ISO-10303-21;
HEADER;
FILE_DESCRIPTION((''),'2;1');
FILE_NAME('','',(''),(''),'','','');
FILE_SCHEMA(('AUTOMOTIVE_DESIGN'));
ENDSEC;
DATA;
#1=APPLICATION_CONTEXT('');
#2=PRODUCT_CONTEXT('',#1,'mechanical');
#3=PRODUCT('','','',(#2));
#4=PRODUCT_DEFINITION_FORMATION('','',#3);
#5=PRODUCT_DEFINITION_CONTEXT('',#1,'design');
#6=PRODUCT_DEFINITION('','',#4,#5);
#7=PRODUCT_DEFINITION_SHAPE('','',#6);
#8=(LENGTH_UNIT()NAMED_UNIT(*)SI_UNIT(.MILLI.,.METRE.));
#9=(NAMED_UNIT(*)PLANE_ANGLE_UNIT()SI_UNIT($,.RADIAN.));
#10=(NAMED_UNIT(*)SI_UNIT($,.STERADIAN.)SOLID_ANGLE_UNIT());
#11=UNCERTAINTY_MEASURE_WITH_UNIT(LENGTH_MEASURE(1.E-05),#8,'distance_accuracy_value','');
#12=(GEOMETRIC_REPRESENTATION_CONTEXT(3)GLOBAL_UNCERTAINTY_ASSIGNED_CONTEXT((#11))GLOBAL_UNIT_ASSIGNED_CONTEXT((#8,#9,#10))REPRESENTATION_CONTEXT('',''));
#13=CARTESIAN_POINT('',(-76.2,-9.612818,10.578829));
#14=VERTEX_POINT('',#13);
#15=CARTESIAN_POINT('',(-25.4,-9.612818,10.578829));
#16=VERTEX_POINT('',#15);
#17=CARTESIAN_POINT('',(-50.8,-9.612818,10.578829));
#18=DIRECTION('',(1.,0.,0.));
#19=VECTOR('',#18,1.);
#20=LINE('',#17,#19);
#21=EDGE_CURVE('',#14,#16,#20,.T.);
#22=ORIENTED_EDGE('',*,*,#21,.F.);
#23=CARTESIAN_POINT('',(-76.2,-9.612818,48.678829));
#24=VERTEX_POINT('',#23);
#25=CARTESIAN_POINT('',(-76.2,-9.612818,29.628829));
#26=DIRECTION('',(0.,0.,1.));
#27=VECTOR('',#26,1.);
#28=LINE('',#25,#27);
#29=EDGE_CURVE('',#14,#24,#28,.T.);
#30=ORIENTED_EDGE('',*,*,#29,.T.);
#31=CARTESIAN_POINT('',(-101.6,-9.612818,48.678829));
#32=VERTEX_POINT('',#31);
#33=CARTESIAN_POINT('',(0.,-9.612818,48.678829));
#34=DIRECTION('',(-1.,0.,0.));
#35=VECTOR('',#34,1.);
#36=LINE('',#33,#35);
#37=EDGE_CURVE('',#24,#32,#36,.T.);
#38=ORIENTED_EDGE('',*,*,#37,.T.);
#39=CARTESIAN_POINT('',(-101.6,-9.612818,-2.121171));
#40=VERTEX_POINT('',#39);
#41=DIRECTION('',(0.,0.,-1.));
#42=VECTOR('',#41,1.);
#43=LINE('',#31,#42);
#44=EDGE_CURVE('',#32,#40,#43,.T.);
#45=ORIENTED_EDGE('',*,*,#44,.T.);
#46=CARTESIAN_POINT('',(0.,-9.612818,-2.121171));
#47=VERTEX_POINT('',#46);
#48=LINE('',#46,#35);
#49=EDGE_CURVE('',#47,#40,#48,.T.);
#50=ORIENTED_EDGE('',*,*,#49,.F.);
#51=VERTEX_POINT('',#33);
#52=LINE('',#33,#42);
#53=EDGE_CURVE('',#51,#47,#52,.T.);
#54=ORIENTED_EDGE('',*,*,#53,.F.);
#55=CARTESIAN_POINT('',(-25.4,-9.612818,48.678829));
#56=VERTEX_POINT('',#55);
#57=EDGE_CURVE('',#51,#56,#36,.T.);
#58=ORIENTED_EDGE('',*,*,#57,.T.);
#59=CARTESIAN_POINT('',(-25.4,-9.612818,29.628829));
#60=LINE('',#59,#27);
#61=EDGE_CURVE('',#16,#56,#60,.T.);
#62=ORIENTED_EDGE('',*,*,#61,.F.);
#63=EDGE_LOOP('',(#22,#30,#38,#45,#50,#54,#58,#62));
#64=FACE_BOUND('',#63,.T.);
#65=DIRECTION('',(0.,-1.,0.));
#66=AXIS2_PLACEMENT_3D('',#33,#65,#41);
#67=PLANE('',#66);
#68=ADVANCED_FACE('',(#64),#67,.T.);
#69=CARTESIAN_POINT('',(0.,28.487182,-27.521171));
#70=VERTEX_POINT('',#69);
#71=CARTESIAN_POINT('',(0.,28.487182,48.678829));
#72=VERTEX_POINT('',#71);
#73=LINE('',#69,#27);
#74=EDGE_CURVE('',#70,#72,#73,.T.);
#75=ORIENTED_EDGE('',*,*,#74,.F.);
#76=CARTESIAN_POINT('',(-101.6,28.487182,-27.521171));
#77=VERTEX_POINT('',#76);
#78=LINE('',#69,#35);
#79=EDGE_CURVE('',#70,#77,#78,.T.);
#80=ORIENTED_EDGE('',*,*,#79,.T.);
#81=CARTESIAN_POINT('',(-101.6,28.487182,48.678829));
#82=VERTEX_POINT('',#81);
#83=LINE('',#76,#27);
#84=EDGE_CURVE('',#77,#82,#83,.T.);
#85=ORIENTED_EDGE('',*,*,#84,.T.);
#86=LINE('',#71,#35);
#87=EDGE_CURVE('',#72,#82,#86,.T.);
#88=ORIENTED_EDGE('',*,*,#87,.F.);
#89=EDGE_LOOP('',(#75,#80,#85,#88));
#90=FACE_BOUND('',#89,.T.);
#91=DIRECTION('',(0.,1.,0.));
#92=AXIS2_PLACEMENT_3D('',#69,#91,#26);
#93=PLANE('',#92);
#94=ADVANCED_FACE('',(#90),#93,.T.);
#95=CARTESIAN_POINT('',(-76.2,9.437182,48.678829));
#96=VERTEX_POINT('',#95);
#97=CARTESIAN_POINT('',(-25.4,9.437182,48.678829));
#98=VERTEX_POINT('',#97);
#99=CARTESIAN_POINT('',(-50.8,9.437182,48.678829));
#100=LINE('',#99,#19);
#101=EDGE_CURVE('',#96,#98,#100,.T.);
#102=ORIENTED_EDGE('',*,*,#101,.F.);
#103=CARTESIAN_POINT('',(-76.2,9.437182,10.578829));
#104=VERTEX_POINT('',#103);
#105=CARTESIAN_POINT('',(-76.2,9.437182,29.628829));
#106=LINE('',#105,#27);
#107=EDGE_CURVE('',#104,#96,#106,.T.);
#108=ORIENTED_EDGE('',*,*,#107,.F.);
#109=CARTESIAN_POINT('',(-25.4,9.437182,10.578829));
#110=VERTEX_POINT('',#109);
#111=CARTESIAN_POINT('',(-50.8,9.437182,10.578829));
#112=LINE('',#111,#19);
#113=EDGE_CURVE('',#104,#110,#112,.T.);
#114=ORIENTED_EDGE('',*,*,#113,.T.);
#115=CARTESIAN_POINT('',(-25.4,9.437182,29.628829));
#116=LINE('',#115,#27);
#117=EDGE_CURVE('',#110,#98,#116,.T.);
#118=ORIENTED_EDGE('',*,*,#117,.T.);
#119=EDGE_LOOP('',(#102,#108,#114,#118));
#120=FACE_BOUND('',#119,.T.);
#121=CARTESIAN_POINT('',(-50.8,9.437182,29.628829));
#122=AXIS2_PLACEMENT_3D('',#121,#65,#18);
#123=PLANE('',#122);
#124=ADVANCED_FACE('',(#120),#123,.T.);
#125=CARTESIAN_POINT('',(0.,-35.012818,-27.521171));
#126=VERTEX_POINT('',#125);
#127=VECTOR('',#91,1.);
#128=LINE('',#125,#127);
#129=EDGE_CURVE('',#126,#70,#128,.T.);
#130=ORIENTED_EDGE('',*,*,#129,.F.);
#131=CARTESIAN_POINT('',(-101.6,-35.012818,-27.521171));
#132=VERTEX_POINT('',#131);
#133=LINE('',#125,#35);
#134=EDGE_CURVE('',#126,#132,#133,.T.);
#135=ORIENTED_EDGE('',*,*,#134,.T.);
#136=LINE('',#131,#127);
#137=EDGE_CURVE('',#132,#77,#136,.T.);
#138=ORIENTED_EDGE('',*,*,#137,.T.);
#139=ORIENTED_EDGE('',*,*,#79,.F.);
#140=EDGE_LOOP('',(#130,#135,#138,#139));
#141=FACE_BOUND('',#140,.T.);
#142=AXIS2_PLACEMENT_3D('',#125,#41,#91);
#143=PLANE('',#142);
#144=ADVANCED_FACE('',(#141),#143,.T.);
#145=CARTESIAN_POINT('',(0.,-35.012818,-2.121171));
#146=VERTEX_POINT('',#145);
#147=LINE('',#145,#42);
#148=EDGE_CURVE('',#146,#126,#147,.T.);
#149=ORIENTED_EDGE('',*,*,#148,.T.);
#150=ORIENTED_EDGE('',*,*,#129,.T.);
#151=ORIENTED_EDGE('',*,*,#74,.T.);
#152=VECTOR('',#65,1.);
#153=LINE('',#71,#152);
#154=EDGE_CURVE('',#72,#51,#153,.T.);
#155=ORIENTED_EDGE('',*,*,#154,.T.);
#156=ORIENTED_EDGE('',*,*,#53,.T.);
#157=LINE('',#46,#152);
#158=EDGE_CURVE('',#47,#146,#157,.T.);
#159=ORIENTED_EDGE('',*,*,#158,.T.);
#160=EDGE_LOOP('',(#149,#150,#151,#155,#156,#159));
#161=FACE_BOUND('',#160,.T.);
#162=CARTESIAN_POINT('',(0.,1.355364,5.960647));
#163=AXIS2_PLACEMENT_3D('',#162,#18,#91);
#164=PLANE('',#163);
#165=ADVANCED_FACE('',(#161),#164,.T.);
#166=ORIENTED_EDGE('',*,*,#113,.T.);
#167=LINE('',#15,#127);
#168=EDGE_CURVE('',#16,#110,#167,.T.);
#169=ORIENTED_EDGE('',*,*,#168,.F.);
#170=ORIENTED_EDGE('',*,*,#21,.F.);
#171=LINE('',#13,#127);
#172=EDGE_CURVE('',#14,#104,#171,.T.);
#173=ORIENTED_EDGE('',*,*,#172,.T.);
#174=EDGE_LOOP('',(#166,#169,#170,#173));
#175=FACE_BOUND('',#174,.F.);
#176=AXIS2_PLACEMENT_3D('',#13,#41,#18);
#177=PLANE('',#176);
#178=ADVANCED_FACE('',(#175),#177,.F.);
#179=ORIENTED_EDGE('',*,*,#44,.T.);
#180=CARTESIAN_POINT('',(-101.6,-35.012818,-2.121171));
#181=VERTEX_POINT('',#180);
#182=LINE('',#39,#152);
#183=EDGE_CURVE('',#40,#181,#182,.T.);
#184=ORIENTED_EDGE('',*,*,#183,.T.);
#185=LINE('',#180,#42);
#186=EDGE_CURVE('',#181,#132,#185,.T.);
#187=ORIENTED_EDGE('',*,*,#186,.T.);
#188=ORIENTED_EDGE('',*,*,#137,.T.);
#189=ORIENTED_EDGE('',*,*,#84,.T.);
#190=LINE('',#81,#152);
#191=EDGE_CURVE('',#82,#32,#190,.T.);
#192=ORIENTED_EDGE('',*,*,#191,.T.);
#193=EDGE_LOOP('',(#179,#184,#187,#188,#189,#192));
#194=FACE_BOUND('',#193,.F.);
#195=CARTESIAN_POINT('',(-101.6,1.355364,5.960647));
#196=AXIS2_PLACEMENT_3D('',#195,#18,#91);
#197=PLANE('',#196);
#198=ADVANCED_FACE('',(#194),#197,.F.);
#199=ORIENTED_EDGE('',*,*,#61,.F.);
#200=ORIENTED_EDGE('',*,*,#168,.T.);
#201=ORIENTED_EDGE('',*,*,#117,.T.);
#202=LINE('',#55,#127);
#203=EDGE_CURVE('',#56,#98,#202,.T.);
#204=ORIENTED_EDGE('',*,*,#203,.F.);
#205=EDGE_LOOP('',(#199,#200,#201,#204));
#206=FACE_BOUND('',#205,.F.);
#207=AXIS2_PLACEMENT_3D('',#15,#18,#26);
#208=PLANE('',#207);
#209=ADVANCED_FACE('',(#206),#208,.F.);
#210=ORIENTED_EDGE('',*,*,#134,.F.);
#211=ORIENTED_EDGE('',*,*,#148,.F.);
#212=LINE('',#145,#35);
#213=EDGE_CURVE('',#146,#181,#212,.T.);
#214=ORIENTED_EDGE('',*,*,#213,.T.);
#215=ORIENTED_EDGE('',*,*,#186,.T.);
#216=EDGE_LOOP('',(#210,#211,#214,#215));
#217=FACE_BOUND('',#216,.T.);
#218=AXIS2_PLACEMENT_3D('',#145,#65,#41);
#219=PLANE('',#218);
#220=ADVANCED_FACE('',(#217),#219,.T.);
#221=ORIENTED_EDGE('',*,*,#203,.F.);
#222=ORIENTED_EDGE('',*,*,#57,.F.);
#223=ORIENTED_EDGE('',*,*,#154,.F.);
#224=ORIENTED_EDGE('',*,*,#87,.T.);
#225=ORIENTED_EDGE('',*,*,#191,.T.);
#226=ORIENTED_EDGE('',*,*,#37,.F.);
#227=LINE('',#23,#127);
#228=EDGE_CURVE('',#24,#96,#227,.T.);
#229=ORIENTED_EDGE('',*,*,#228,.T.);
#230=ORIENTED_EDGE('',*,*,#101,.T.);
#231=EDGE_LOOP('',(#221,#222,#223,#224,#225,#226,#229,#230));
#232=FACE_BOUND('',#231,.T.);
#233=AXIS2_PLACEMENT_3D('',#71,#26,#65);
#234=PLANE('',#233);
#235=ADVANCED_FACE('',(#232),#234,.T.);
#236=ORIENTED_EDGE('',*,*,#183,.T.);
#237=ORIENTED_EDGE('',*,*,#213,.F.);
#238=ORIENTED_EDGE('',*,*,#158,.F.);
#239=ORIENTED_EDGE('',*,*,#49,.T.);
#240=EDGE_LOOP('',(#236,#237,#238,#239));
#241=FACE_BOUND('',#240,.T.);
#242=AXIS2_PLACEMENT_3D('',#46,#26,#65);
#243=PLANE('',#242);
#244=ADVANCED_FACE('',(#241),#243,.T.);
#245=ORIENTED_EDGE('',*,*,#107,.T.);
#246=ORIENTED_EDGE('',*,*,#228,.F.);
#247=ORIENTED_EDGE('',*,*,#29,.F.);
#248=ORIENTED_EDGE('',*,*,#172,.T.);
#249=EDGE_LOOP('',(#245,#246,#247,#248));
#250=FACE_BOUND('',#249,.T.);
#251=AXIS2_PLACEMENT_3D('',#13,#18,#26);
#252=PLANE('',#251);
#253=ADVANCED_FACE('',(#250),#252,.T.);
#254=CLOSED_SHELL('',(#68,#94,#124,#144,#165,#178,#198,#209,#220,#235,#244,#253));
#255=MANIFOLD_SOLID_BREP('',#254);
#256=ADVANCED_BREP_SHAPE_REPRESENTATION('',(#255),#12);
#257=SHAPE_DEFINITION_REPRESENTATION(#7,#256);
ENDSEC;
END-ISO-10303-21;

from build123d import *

# Parameters (mm, degrees)
F1_DEPTH = 101.6
F2_W     = 50.8
F2_H     = 38.1
F3_DEPTH = 19.05


with BuildPart() as f1:
    # F0 (on Right) → F1 (new body)
    with BuildSketch(Plane.YZ):
        Polygon((-35.012818, -2.121171), (-35.012818, -27.521171), (28.487182, -27.521171), (28.487182, 48.678829), (-9.612818, 48.678829), (-9.612818, -2.121171), align=None)
    extrude(amount=-F1_DEPTH)

    # F2 (on face) → F3 (cut)
    with BuildSketch(Plane.XZ.offset(9.612818)):
        with Locations((-50.8, 29.628829)):
            Rectangle(F2_W, F2_H)
    extrude(amount=-F3_DEPTH, mode=Mode.SUBTRACT)


solid = f1.part
